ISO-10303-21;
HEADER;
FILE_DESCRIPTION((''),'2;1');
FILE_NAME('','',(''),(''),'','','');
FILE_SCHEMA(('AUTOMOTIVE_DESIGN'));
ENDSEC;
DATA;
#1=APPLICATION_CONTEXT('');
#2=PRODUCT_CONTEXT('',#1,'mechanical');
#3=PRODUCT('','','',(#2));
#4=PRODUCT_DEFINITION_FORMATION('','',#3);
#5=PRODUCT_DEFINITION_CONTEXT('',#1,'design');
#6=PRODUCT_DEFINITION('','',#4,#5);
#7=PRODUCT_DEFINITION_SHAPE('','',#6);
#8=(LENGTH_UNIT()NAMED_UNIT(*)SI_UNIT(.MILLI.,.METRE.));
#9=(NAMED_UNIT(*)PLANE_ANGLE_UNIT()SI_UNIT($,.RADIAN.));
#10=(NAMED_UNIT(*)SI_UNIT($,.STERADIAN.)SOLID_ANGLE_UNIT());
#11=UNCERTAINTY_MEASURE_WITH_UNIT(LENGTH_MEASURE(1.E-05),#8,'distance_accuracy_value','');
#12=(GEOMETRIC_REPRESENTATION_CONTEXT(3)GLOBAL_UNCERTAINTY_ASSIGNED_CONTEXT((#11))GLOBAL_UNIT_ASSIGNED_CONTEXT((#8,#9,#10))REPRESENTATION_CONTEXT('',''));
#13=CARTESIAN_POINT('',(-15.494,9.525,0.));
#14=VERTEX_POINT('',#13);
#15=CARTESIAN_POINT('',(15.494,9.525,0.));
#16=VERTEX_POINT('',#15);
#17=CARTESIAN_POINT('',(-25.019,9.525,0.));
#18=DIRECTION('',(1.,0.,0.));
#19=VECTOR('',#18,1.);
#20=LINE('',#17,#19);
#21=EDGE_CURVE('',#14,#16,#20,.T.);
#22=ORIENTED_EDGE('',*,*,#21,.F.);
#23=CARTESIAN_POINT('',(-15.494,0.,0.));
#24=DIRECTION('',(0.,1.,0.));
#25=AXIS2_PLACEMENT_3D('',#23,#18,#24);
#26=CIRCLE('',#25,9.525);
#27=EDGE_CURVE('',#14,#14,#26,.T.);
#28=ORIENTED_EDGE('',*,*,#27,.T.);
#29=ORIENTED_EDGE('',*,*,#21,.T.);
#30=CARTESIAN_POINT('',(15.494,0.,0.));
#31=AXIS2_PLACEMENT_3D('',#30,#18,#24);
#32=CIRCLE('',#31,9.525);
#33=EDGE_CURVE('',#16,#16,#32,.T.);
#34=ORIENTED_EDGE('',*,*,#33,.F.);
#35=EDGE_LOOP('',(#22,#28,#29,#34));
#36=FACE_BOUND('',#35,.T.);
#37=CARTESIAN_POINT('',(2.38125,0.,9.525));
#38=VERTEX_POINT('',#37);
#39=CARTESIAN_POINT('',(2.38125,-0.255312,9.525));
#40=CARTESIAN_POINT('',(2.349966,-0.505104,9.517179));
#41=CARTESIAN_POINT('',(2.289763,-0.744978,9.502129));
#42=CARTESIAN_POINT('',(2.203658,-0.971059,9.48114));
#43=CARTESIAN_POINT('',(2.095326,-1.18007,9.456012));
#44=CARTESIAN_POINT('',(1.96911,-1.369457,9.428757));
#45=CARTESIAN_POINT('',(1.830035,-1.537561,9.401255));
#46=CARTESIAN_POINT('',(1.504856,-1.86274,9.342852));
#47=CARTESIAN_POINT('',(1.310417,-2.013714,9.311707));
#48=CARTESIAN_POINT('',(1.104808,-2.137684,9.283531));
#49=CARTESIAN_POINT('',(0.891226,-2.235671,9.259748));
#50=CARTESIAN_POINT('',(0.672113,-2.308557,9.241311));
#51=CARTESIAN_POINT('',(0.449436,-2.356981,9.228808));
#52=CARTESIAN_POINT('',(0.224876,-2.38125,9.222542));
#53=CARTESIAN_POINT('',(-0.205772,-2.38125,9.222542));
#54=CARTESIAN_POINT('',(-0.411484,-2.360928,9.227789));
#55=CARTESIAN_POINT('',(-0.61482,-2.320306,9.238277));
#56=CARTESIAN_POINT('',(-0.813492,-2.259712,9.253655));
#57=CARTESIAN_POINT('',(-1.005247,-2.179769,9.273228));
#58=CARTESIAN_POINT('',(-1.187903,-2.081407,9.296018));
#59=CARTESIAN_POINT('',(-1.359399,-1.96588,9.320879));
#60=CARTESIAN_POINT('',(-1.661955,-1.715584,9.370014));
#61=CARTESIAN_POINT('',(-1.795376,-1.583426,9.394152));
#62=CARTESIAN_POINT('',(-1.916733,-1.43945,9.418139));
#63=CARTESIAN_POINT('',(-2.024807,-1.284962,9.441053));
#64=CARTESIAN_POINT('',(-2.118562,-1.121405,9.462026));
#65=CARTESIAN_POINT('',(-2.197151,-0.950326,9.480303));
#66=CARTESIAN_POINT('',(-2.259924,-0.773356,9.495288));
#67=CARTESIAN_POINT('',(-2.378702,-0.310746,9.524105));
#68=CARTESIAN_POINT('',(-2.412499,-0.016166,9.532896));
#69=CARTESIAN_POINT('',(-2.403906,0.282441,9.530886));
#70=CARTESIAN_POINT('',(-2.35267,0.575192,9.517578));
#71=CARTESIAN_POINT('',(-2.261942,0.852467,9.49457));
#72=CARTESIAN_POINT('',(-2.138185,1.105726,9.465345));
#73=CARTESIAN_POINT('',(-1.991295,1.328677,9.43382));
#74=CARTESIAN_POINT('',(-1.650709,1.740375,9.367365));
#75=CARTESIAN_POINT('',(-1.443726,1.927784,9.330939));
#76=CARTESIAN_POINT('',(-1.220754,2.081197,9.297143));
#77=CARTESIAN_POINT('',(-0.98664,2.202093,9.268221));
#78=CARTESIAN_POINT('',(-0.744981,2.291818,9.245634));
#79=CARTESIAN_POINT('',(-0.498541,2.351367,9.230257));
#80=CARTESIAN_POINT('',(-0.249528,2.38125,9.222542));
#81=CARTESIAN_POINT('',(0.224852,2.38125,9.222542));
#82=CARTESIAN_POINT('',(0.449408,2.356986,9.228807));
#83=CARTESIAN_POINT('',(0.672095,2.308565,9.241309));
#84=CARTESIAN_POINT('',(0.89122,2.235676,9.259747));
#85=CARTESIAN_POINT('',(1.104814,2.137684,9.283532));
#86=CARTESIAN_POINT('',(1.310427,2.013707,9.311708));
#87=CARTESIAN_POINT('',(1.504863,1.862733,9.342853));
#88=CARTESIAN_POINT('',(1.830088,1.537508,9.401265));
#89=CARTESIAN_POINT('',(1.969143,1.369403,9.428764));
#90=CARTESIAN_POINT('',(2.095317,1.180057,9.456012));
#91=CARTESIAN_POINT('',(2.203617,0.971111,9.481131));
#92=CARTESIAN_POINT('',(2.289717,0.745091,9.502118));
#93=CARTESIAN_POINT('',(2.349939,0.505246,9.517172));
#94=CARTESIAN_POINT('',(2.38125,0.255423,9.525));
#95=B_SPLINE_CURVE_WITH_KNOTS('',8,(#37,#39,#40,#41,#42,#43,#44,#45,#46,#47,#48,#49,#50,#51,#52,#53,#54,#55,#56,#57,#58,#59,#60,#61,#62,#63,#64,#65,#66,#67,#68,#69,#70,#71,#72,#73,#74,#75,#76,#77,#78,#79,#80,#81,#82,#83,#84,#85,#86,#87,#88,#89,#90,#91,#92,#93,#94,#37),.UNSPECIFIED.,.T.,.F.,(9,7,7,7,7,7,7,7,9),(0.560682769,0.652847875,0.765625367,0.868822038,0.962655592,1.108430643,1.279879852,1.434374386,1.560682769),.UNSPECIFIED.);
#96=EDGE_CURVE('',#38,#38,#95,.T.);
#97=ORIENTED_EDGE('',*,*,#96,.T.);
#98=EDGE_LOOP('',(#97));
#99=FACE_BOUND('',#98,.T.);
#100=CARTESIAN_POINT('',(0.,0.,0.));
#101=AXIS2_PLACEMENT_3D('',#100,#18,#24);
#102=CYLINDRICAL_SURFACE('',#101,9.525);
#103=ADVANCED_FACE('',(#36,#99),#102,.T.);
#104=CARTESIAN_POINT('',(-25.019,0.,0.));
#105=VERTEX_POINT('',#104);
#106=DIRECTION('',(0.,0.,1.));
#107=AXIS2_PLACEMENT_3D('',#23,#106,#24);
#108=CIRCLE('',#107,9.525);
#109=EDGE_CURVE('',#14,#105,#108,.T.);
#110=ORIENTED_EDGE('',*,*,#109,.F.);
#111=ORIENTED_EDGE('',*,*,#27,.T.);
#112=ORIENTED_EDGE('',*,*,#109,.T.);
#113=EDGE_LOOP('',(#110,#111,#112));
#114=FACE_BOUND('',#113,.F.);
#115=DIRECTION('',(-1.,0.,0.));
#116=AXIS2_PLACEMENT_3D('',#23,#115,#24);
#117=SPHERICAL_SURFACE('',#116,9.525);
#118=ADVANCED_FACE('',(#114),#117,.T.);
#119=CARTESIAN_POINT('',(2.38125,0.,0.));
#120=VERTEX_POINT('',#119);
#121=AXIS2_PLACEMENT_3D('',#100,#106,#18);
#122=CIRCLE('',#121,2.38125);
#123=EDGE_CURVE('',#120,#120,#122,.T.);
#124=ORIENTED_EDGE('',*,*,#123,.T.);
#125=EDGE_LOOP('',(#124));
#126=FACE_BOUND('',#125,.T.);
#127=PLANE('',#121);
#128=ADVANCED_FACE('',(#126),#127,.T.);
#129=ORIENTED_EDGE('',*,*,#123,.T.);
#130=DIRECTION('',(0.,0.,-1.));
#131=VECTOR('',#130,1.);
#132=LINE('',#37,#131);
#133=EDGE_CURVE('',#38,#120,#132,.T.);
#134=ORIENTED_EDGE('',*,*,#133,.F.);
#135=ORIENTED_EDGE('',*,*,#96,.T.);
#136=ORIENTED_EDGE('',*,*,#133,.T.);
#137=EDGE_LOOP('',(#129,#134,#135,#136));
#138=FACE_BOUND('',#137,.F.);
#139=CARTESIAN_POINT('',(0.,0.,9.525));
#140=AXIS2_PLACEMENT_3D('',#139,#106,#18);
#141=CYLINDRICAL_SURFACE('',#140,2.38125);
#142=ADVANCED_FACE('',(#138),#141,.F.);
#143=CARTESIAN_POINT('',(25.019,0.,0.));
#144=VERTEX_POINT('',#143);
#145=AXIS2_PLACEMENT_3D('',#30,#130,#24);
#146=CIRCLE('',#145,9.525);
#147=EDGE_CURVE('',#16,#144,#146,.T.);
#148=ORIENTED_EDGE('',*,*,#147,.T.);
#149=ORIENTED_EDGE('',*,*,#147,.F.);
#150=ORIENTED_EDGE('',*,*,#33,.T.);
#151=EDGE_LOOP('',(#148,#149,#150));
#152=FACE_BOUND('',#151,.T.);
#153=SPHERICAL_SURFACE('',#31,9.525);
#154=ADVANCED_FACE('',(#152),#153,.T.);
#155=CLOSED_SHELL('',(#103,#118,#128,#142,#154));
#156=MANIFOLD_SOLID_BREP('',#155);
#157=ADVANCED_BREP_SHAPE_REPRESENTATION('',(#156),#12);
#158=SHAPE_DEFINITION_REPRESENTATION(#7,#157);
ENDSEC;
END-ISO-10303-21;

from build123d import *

# Parameters (mm, degrees)
F0_R     = 9.525
F1_DEPTH = 25.019
F2_R     = 9.525
F4_R     = 2.38125
F5_DEPTH = 9.525


with BuildPart() as f1:
    # F0 (on Right) → F1 (new body, symmetric)
    with BuildSketch(Plane.YZ):
        Circle(F0_R)
    extrude(amount=F1_DEPTH, both=True)

    # F2
    f2_edges = [f1.edges().sort_by_distance(p)[0] for p in [
        (-25.019, -9.525, 0),
        (25.019, -9.525, 0),
    ]]
    fillet(f2_edges, radius=F2_R)

    # F4 (on plane+point) → F5 (cut)
    with BuildSketch(Plane.XY.offset(9.525)):
        Circle(F4_R)
    extrude(amount=-F5_DEPTH, mode=Mode.SUBTRACT)


solid = f1.part
